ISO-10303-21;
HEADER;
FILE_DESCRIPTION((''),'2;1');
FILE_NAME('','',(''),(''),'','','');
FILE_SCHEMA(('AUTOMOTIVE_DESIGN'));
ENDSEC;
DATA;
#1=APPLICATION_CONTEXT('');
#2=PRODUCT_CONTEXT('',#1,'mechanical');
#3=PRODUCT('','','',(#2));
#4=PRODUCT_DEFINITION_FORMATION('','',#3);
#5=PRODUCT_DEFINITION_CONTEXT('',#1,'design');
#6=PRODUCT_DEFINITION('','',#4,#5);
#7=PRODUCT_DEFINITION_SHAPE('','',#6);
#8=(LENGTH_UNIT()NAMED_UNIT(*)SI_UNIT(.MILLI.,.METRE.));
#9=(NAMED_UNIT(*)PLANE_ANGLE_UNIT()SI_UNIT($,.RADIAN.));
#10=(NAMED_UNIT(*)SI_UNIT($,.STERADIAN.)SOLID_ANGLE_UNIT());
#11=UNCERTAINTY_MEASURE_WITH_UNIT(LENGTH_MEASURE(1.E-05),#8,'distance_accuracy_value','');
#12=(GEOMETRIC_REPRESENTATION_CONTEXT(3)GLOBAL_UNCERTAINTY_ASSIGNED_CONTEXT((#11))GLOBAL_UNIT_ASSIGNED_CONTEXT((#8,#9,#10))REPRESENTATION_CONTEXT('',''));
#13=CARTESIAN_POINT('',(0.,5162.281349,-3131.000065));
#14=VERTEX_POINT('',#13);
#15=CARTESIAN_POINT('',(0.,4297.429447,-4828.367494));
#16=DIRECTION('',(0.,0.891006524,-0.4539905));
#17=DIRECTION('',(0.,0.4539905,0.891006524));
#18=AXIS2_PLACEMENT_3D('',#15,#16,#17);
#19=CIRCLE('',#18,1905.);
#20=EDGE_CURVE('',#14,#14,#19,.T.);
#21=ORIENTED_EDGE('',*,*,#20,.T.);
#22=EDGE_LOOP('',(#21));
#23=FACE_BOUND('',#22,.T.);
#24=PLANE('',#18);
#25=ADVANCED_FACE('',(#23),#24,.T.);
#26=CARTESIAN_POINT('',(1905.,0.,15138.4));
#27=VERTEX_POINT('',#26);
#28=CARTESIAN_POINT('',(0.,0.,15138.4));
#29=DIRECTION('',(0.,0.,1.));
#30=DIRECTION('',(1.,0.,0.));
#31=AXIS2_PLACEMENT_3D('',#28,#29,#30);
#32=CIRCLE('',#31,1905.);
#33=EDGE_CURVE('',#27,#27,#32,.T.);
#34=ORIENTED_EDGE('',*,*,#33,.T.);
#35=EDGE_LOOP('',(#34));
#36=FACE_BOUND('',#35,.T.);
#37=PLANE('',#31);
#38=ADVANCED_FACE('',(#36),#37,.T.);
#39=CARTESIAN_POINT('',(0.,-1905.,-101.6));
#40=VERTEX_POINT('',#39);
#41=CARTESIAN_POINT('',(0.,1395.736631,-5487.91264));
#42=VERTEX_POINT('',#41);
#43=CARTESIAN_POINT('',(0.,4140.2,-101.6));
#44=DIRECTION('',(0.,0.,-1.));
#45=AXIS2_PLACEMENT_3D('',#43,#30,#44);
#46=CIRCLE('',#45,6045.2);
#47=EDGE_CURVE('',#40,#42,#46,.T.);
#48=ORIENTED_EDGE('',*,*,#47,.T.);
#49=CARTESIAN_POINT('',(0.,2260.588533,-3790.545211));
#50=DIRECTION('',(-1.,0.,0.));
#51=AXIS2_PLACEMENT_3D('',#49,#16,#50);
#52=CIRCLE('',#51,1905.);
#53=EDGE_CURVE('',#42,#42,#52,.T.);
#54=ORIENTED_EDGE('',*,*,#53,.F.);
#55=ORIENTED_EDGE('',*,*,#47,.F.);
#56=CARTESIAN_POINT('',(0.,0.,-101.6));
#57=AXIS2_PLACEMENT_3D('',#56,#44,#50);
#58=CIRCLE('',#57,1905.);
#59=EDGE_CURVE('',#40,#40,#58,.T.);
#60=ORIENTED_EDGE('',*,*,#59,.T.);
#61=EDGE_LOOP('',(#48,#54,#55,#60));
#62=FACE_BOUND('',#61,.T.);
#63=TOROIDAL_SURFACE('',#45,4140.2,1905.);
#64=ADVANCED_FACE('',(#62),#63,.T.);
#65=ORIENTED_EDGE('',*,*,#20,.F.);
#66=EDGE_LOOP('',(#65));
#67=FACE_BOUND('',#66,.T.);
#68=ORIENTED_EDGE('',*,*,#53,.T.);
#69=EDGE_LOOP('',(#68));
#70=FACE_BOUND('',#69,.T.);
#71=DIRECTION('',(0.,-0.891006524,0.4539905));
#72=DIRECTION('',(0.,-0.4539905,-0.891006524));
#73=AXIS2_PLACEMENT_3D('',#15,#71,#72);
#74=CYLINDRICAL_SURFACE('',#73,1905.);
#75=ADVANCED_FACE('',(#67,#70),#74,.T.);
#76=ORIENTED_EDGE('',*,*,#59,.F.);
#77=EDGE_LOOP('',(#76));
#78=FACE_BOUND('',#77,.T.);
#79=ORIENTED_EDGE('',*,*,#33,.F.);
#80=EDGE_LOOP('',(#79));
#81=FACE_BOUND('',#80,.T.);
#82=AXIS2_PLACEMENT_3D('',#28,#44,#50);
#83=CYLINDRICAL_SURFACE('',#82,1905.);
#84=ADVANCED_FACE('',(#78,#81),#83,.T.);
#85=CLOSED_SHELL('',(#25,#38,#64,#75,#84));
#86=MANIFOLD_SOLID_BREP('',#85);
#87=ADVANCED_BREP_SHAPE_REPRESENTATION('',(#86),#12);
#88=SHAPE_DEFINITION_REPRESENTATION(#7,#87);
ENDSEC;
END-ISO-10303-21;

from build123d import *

# Parameters (mm, degrees)
SKETCH1_R           = 1905
BOSS_EXTRUDE1_DEPTH = 15138.4
SKETCH2_R           = 1905
SKETCH4_R           = 1905
BOSS_EXTRUDE2_DEPTH = 2286


with BuildPart() as part:
    # Sketch1 → Boss-Extrude1 (new body)
    with BuildSketch(Plane.XY):
        Circle(SKETCH1_R)
    extrude(amount=BOSS_EXTRUDE1_DEPTH)

    # Sweep1: sweep along a path in Sketch3
    with BuildLine(Plane(origin=(0, 0, 0), x_dir=(0, 0, -1), z_dir=(1, 0, 0))) as sweep1_path:
        Line((0, 0), (101.6, 0))
        ThreePointArc((101.6, 0), (2264.848557637, 610.099191541), (3790.545211445, 2260.588532978))
    # Sketch2 → Sweep1 (sweep)
    with BuildSketch(Plane(origin=(0, 0, 0), x_dir=(-1, 0, 0), z_dir=(0, 0, -1))):
        Circle(SKETCH2_R)
    sweep(path=sweep1_path.line)

    # Sketch4 → Boss-Extrude2 (add)
    with BuildSketch(Plane(origin=(0, 3327.972314085, -1695.686589239), x_dir=(1, 0, 0), z_dir=(0, 0.8910065241883625, -0.45399049973955735))):
        with Locations(Location((0, 2351.114795836, 0), (0, 0, 90))):
            Circle(SKETCH4_R)
    extrude(amount=BOSS_EXTRUDE2_DEPTH)


solid = part.part
